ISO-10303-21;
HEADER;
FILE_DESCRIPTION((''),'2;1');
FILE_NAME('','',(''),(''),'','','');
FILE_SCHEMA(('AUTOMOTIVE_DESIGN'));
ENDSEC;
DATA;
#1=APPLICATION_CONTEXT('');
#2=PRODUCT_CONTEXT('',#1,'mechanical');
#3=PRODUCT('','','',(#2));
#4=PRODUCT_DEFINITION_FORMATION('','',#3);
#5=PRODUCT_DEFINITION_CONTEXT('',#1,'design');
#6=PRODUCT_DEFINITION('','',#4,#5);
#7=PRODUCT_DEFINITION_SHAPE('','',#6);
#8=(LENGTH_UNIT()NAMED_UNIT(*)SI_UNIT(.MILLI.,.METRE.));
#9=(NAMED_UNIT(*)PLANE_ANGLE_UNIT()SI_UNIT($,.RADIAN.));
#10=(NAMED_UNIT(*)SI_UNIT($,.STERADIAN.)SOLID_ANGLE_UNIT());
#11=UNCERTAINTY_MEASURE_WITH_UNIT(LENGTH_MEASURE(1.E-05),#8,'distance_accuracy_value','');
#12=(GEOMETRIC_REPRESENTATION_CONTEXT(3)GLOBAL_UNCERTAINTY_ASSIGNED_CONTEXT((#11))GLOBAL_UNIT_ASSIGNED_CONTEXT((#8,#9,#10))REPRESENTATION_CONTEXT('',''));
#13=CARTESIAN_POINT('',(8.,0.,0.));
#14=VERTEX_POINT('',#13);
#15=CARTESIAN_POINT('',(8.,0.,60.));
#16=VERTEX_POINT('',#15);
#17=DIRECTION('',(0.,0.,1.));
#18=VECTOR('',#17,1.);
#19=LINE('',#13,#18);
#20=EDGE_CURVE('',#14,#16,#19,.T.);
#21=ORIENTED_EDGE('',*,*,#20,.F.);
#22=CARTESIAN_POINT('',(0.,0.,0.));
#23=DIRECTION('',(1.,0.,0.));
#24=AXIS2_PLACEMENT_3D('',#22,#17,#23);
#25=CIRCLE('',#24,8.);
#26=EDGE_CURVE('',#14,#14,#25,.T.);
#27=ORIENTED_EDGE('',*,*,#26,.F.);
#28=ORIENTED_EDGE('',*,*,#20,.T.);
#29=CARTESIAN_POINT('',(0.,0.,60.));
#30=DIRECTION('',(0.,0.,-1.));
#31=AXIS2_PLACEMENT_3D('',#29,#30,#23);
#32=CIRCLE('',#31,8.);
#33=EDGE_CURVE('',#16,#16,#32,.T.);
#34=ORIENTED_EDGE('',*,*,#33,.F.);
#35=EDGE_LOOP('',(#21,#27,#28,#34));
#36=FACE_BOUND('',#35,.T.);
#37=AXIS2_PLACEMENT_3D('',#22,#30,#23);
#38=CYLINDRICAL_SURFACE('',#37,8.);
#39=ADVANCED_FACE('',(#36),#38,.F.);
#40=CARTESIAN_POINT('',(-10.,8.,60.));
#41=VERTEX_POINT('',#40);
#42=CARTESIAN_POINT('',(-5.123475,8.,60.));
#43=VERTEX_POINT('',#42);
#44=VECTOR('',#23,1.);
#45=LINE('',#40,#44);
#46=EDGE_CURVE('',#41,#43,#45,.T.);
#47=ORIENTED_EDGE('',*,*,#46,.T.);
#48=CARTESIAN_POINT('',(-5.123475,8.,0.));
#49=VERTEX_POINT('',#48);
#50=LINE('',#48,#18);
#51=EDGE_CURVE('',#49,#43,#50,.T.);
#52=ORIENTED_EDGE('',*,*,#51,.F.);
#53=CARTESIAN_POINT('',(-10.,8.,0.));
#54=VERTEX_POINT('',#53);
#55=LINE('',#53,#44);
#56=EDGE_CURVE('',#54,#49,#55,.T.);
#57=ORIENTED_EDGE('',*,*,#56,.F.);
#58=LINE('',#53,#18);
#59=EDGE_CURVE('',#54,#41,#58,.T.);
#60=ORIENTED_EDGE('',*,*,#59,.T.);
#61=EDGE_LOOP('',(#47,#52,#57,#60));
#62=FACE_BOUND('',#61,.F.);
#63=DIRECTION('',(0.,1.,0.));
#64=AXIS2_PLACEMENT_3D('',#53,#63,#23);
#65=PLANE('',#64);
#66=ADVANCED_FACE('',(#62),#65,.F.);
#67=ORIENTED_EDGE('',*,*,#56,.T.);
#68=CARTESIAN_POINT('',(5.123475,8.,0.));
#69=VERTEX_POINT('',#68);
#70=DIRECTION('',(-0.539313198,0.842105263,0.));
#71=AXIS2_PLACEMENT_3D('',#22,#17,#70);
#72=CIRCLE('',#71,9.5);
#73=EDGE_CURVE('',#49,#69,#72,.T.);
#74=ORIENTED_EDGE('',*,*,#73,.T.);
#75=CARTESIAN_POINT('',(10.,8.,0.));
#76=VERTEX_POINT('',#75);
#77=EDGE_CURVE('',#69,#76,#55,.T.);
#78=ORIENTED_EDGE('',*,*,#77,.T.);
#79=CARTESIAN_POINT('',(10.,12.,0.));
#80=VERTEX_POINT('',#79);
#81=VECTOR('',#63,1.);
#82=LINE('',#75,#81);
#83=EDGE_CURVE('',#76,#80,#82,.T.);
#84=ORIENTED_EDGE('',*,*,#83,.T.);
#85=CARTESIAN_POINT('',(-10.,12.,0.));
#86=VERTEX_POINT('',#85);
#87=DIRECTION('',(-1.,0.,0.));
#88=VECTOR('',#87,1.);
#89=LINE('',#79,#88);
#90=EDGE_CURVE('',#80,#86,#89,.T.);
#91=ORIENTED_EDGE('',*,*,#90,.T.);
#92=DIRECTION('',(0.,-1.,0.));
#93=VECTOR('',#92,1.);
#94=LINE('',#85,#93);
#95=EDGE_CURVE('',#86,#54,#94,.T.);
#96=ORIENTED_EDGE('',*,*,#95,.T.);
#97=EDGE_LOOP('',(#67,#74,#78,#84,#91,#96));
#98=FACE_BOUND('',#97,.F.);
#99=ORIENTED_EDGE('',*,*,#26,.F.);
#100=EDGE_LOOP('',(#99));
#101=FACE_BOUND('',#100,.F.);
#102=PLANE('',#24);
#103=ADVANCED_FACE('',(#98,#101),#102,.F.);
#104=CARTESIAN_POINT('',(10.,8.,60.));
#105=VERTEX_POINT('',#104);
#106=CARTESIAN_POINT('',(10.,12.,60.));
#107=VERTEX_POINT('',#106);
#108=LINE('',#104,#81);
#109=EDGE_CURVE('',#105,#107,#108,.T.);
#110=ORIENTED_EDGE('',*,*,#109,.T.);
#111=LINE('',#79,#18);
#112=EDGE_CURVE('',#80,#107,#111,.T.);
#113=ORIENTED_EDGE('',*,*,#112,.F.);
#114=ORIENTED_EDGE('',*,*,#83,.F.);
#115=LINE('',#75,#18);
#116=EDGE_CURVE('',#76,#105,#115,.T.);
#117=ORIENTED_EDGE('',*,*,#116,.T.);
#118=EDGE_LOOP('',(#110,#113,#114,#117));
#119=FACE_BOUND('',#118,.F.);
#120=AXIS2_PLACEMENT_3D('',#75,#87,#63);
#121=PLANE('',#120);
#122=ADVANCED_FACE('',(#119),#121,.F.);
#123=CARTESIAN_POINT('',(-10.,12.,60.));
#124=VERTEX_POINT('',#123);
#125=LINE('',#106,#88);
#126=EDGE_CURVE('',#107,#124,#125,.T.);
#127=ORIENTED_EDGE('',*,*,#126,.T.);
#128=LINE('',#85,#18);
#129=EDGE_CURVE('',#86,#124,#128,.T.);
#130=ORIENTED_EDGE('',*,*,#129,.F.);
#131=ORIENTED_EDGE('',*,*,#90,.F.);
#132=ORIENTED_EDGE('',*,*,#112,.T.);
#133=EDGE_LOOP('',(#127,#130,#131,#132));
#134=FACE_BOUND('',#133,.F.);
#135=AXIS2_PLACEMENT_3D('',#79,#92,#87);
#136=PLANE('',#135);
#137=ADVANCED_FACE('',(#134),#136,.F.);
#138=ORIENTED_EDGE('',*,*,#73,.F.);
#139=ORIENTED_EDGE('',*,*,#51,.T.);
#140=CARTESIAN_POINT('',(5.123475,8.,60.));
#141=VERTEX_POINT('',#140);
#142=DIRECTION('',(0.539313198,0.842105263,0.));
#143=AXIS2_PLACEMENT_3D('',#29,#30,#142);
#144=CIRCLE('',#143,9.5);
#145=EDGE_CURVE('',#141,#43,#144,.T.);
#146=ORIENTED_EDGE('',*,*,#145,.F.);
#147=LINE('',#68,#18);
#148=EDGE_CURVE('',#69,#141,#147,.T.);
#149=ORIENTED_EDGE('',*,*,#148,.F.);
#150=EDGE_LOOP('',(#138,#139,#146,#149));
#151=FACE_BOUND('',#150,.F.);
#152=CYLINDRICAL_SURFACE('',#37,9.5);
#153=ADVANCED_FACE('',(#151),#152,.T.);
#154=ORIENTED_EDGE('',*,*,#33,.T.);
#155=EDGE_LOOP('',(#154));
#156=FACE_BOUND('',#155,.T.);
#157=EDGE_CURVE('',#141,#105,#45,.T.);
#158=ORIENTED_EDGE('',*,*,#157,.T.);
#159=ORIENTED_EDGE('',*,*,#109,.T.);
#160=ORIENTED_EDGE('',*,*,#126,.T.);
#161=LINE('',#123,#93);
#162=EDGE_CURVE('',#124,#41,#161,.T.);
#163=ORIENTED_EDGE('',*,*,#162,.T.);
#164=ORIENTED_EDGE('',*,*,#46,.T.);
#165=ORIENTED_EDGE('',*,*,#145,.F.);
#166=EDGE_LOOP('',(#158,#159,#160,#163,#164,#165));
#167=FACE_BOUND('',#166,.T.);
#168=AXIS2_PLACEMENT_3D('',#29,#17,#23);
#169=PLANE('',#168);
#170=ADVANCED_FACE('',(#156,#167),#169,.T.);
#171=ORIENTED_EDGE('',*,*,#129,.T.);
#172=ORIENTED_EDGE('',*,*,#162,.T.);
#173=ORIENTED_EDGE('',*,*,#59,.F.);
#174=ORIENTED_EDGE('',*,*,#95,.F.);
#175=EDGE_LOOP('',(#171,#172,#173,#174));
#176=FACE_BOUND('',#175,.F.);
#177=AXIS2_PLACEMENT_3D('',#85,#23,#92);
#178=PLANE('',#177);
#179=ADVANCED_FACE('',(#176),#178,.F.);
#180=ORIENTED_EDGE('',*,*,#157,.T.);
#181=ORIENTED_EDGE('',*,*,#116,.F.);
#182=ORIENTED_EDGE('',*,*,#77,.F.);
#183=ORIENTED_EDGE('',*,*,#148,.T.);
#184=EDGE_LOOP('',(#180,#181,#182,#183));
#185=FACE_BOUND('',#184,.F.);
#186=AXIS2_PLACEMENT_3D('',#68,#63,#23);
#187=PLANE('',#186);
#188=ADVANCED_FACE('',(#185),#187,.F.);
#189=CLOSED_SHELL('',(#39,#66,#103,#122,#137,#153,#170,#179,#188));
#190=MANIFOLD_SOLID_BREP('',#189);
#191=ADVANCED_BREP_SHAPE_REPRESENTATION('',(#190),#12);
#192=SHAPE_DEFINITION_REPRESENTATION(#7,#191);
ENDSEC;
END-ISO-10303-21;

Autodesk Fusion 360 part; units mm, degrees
sketch "Sketch1" plane through (0, 0, 0) normal (0, 0, 1) x (1, 0, 0)
  circle A0 centre (0, 0) radius 8
  circle A1 centre (0, 0) radius 9.5
  line L0 (-10, 8) -> (10, 8)
  line L1 (10, 8) -> (10, 12)
  line L2 (10, 12) -> (-10, 12)
  line L3 (-10, 12) -> (-10, 8)
  dimension "d1" = 16
  dimension "d2" = 19
  dimension "d3" = 20
extrude "Extrude1" add sketch "Sketch1" along normal blind 60
